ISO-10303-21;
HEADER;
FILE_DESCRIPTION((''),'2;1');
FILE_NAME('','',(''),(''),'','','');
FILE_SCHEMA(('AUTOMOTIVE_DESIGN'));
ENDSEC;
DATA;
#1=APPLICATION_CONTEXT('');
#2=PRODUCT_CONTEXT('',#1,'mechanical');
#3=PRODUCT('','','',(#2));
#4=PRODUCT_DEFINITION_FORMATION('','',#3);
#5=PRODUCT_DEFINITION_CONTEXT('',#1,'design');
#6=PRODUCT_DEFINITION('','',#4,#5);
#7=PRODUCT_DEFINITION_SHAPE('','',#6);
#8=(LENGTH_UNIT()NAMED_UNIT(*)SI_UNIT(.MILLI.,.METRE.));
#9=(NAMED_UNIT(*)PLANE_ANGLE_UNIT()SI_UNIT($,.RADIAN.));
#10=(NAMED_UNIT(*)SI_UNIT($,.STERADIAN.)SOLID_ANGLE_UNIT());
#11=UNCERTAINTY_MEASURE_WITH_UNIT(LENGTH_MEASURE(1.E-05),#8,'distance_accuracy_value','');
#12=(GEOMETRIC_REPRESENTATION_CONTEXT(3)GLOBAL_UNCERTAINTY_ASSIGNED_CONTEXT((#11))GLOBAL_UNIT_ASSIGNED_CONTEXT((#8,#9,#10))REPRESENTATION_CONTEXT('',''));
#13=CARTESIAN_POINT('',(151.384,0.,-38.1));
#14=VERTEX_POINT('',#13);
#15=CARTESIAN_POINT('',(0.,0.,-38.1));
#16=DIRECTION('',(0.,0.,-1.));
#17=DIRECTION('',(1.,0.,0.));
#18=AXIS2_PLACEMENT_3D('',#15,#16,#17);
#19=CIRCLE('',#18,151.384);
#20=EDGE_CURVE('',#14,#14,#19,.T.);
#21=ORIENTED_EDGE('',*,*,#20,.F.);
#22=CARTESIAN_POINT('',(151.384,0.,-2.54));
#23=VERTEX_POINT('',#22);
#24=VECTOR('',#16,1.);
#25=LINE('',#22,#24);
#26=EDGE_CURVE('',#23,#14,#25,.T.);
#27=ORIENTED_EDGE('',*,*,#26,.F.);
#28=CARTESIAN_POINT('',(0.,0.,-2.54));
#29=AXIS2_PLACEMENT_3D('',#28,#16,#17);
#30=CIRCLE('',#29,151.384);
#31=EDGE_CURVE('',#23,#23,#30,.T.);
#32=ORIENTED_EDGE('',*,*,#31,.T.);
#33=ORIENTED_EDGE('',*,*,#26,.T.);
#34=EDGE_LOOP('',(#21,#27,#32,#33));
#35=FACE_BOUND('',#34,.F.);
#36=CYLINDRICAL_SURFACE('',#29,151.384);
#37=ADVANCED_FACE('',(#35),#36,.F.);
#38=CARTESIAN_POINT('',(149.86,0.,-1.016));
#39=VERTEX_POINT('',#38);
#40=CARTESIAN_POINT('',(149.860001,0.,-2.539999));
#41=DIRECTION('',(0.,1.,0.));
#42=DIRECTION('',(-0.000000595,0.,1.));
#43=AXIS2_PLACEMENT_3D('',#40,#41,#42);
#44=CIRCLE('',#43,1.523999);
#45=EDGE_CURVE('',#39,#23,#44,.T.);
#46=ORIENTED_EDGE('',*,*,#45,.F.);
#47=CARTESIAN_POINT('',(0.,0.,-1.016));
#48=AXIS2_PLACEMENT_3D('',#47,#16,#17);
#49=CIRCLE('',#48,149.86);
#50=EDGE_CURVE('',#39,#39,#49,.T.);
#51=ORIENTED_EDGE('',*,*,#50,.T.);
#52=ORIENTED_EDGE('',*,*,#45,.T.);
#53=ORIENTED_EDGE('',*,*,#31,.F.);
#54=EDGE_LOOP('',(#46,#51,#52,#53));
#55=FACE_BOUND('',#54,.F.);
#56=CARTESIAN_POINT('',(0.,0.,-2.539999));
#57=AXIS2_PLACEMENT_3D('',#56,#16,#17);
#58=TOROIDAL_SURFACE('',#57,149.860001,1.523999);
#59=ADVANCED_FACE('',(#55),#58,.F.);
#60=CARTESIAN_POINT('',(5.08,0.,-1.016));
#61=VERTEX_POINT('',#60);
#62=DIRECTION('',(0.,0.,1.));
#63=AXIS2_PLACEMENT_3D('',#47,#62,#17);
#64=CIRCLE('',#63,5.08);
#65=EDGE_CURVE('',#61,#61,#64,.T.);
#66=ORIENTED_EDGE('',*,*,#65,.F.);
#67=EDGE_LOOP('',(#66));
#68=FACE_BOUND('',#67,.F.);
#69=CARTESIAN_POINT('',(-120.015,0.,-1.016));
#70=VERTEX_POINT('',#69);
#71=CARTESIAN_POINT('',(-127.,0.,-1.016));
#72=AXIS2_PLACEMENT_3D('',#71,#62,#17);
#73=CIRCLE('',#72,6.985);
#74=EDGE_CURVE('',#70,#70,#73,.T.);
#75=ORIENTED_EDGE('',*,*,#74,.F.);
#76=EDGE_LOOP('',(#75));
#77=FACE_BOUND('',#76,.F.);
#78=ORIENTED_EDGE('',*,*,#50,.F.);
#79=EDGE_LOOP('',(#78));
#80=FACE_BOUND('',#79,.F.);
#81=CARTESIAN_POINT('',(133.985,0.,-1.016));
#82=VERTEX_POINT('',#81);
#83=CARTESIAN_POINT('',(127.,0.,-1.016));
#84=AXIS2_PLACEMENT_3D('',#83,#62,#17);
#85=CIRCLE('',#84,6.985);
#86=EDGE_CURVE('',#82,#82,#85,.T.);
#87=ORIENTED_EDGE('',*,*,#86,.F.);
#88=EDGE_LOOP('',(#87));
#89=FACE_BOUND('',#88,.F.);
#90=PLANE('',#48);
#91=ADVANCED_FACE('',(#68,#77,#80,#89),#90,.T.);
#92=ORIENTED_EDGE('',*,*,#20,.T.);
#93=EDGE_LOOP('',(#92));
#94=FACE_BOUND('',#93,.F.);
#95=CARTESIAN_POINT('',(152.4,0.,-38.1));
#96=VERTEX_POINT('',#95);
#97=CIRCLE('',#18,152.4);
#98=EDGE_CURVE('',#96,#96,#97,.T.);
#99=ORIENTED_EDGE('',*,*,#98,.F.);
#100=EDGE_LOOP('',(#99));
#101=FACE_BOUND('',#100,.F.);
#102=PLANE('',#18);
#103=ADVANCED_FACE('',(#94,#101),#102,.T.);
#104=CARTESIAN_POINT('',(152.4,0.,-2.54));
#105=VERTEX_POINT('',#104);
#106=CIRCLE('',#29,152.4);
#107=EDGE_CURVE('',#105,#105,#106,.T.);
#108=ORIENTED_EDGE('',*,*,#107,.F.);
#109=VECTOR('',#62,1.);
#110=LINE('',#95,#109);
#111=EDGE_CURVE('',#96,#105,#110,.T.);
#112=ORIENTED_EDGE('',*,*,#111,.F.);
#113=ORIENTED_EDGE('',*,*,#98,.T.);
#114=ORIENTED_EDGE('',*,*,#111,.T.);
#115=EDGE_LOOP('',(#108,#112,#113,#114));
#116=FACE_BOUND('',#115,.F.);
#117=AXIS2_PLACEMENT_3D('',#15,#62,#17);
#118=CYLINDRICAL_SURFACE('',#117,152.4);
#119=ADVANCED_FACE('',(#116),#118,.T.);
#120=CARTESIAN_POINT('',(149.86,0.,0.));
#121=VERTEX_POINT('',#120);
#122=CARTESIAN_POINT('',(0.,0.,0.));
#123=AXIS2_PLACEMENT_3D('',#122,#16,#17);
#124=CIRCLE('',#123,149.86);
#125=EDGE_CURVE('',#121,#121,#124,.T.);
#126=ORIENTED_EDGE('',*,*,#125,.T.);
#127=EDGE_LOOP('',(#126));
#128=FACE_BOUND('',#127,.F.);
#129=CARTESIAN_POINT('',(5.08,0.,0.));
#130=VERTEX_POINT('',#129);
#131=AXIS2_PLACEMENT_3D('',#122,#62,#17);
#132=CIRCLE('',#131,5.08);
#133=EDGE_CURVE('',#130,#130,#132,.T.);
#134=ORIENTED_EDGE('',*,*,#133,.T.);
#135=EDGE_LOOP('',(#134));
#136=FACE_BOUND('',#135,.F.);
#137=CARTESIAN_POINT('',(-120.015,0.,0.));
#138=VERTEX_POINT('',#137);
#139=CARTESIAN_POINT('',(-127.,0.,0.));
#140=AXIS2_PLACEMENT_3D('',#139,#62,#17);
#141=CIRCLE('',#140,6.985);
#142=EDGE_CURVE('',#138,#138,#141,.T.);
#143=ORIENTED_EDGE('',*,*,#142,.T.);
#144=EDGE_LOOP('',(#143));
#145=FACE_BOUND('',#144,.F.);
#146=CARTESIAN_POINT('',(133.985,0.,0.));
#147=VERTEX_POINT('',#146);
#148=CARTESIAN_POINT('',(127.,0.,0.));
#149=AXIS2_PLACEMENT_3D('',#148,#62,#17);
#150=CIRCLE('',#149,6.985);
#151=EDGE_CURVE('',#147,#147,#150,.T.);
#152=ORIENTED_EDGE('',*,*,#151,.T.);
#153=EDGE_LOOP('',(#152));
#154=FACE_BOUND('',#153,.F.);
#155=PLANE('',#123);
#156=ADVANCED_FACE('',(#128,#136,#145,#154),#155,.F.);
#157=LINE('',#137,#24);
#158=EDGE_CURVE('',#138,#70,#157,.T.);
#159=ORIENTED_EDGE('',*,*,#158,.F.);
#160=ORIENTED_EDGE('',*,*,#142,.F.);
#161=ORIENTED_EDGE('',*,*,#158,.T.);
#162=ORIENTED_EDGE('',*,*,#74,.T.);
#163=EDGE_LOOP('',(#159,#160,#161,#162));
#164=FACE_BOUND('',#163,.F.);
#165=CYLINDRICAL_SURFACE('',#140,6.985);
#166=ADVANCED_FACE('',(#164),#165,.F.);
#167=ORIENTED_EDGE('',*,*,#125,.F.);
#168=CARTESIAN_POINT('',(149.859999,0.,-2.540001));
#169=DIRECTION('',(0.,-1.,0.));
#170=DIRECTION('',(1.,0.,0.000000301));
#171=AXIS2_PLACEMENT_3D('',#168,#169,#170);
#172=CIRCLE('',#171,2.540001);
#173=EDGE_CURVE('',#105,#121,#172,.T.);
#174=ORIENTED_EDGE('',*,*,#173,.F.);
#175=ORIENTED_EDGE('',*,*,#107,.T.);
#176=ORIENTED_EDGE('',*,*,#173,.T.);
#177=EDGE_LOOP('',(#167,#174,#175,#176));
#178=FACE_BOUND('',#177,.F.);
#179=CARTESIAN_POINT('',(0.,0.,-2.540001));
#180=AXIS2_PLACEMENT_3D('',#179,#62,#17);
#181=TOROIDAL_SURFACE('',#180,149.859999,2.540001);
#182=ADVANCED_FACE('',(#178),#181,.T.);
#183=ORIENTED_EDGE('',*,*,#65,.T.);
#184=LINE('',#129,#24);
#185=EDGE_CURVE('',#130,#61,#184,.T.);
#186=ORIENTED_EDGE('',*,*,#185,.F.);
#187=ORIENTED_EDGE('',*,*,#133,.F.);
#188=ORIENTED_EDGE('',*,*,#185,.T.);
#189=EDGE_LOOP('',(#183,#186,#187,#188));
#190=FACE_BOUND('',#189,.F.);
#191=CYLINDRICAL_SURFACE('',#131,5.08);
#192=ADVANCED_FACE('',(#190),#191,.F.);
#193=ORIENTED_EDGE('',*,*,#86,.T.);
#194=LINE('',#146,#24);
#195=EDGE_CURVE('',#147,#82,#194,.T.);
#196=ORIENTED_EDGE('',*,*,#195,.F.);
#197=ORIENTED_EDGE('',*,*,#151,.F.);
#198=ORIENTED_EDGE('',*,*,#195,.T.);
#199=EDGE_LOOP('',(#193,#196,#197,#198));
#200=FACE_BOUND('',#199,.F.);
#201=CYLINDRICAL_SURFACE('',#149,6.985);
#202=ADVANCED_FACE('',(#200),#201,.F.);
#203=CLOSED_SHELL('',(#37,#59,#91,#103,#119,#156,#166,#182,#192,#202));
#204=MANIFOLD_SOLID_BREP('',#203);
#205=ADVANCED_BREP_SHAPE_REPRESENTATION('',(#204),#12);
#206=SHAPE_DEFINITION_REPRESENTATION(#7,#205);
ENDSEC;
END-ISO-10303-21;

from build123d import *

# Parameters (mm, degrees)
F3_R     = 6.985
F3_R_2   = 5.08
F4_DEPTH = 1.016


with BuildPart() as f2:
    # F1 (on Front) → F2 (revolve)
    with BuildSketch(Plane.XZ):
        with BuildLine():
            Line((149.86, 0), (0, 0))
            Line((0, 0), (0, -1.016))
            Line((0, -1.016), (149.86, -1.016))
            ThreePointArc((149.86, -1.016), (150.937631, -1.462369), (151.384, -2.54))
            Line((151.384, -2.54), (151.384, -38.1))
            Line((151.384, -38.1), (152.4, -38.1))
            Line((152.4, -38.1), (152.4, -2.54))
            ThreePointArc((152.4, -2.54), (151.656051, -0.743949), (149.86, 0))
        make_face()
    revolve(axis=Axis((0, 0, -9.205109), (0, 0, -1)))

    # F3 (on face) → F4 (cut, through all)
    with BuildSketch(Plane.XY):
        with Locations((127, 0)):
            Circle(F3_R)
        with Locations((-127, 0)):
            Circle(F3_R)
        Circle(F3_R_2)
    extrude(amount=-F4_DEPTH, mode=Mode.SUBTRACT)


solid = f2.part
